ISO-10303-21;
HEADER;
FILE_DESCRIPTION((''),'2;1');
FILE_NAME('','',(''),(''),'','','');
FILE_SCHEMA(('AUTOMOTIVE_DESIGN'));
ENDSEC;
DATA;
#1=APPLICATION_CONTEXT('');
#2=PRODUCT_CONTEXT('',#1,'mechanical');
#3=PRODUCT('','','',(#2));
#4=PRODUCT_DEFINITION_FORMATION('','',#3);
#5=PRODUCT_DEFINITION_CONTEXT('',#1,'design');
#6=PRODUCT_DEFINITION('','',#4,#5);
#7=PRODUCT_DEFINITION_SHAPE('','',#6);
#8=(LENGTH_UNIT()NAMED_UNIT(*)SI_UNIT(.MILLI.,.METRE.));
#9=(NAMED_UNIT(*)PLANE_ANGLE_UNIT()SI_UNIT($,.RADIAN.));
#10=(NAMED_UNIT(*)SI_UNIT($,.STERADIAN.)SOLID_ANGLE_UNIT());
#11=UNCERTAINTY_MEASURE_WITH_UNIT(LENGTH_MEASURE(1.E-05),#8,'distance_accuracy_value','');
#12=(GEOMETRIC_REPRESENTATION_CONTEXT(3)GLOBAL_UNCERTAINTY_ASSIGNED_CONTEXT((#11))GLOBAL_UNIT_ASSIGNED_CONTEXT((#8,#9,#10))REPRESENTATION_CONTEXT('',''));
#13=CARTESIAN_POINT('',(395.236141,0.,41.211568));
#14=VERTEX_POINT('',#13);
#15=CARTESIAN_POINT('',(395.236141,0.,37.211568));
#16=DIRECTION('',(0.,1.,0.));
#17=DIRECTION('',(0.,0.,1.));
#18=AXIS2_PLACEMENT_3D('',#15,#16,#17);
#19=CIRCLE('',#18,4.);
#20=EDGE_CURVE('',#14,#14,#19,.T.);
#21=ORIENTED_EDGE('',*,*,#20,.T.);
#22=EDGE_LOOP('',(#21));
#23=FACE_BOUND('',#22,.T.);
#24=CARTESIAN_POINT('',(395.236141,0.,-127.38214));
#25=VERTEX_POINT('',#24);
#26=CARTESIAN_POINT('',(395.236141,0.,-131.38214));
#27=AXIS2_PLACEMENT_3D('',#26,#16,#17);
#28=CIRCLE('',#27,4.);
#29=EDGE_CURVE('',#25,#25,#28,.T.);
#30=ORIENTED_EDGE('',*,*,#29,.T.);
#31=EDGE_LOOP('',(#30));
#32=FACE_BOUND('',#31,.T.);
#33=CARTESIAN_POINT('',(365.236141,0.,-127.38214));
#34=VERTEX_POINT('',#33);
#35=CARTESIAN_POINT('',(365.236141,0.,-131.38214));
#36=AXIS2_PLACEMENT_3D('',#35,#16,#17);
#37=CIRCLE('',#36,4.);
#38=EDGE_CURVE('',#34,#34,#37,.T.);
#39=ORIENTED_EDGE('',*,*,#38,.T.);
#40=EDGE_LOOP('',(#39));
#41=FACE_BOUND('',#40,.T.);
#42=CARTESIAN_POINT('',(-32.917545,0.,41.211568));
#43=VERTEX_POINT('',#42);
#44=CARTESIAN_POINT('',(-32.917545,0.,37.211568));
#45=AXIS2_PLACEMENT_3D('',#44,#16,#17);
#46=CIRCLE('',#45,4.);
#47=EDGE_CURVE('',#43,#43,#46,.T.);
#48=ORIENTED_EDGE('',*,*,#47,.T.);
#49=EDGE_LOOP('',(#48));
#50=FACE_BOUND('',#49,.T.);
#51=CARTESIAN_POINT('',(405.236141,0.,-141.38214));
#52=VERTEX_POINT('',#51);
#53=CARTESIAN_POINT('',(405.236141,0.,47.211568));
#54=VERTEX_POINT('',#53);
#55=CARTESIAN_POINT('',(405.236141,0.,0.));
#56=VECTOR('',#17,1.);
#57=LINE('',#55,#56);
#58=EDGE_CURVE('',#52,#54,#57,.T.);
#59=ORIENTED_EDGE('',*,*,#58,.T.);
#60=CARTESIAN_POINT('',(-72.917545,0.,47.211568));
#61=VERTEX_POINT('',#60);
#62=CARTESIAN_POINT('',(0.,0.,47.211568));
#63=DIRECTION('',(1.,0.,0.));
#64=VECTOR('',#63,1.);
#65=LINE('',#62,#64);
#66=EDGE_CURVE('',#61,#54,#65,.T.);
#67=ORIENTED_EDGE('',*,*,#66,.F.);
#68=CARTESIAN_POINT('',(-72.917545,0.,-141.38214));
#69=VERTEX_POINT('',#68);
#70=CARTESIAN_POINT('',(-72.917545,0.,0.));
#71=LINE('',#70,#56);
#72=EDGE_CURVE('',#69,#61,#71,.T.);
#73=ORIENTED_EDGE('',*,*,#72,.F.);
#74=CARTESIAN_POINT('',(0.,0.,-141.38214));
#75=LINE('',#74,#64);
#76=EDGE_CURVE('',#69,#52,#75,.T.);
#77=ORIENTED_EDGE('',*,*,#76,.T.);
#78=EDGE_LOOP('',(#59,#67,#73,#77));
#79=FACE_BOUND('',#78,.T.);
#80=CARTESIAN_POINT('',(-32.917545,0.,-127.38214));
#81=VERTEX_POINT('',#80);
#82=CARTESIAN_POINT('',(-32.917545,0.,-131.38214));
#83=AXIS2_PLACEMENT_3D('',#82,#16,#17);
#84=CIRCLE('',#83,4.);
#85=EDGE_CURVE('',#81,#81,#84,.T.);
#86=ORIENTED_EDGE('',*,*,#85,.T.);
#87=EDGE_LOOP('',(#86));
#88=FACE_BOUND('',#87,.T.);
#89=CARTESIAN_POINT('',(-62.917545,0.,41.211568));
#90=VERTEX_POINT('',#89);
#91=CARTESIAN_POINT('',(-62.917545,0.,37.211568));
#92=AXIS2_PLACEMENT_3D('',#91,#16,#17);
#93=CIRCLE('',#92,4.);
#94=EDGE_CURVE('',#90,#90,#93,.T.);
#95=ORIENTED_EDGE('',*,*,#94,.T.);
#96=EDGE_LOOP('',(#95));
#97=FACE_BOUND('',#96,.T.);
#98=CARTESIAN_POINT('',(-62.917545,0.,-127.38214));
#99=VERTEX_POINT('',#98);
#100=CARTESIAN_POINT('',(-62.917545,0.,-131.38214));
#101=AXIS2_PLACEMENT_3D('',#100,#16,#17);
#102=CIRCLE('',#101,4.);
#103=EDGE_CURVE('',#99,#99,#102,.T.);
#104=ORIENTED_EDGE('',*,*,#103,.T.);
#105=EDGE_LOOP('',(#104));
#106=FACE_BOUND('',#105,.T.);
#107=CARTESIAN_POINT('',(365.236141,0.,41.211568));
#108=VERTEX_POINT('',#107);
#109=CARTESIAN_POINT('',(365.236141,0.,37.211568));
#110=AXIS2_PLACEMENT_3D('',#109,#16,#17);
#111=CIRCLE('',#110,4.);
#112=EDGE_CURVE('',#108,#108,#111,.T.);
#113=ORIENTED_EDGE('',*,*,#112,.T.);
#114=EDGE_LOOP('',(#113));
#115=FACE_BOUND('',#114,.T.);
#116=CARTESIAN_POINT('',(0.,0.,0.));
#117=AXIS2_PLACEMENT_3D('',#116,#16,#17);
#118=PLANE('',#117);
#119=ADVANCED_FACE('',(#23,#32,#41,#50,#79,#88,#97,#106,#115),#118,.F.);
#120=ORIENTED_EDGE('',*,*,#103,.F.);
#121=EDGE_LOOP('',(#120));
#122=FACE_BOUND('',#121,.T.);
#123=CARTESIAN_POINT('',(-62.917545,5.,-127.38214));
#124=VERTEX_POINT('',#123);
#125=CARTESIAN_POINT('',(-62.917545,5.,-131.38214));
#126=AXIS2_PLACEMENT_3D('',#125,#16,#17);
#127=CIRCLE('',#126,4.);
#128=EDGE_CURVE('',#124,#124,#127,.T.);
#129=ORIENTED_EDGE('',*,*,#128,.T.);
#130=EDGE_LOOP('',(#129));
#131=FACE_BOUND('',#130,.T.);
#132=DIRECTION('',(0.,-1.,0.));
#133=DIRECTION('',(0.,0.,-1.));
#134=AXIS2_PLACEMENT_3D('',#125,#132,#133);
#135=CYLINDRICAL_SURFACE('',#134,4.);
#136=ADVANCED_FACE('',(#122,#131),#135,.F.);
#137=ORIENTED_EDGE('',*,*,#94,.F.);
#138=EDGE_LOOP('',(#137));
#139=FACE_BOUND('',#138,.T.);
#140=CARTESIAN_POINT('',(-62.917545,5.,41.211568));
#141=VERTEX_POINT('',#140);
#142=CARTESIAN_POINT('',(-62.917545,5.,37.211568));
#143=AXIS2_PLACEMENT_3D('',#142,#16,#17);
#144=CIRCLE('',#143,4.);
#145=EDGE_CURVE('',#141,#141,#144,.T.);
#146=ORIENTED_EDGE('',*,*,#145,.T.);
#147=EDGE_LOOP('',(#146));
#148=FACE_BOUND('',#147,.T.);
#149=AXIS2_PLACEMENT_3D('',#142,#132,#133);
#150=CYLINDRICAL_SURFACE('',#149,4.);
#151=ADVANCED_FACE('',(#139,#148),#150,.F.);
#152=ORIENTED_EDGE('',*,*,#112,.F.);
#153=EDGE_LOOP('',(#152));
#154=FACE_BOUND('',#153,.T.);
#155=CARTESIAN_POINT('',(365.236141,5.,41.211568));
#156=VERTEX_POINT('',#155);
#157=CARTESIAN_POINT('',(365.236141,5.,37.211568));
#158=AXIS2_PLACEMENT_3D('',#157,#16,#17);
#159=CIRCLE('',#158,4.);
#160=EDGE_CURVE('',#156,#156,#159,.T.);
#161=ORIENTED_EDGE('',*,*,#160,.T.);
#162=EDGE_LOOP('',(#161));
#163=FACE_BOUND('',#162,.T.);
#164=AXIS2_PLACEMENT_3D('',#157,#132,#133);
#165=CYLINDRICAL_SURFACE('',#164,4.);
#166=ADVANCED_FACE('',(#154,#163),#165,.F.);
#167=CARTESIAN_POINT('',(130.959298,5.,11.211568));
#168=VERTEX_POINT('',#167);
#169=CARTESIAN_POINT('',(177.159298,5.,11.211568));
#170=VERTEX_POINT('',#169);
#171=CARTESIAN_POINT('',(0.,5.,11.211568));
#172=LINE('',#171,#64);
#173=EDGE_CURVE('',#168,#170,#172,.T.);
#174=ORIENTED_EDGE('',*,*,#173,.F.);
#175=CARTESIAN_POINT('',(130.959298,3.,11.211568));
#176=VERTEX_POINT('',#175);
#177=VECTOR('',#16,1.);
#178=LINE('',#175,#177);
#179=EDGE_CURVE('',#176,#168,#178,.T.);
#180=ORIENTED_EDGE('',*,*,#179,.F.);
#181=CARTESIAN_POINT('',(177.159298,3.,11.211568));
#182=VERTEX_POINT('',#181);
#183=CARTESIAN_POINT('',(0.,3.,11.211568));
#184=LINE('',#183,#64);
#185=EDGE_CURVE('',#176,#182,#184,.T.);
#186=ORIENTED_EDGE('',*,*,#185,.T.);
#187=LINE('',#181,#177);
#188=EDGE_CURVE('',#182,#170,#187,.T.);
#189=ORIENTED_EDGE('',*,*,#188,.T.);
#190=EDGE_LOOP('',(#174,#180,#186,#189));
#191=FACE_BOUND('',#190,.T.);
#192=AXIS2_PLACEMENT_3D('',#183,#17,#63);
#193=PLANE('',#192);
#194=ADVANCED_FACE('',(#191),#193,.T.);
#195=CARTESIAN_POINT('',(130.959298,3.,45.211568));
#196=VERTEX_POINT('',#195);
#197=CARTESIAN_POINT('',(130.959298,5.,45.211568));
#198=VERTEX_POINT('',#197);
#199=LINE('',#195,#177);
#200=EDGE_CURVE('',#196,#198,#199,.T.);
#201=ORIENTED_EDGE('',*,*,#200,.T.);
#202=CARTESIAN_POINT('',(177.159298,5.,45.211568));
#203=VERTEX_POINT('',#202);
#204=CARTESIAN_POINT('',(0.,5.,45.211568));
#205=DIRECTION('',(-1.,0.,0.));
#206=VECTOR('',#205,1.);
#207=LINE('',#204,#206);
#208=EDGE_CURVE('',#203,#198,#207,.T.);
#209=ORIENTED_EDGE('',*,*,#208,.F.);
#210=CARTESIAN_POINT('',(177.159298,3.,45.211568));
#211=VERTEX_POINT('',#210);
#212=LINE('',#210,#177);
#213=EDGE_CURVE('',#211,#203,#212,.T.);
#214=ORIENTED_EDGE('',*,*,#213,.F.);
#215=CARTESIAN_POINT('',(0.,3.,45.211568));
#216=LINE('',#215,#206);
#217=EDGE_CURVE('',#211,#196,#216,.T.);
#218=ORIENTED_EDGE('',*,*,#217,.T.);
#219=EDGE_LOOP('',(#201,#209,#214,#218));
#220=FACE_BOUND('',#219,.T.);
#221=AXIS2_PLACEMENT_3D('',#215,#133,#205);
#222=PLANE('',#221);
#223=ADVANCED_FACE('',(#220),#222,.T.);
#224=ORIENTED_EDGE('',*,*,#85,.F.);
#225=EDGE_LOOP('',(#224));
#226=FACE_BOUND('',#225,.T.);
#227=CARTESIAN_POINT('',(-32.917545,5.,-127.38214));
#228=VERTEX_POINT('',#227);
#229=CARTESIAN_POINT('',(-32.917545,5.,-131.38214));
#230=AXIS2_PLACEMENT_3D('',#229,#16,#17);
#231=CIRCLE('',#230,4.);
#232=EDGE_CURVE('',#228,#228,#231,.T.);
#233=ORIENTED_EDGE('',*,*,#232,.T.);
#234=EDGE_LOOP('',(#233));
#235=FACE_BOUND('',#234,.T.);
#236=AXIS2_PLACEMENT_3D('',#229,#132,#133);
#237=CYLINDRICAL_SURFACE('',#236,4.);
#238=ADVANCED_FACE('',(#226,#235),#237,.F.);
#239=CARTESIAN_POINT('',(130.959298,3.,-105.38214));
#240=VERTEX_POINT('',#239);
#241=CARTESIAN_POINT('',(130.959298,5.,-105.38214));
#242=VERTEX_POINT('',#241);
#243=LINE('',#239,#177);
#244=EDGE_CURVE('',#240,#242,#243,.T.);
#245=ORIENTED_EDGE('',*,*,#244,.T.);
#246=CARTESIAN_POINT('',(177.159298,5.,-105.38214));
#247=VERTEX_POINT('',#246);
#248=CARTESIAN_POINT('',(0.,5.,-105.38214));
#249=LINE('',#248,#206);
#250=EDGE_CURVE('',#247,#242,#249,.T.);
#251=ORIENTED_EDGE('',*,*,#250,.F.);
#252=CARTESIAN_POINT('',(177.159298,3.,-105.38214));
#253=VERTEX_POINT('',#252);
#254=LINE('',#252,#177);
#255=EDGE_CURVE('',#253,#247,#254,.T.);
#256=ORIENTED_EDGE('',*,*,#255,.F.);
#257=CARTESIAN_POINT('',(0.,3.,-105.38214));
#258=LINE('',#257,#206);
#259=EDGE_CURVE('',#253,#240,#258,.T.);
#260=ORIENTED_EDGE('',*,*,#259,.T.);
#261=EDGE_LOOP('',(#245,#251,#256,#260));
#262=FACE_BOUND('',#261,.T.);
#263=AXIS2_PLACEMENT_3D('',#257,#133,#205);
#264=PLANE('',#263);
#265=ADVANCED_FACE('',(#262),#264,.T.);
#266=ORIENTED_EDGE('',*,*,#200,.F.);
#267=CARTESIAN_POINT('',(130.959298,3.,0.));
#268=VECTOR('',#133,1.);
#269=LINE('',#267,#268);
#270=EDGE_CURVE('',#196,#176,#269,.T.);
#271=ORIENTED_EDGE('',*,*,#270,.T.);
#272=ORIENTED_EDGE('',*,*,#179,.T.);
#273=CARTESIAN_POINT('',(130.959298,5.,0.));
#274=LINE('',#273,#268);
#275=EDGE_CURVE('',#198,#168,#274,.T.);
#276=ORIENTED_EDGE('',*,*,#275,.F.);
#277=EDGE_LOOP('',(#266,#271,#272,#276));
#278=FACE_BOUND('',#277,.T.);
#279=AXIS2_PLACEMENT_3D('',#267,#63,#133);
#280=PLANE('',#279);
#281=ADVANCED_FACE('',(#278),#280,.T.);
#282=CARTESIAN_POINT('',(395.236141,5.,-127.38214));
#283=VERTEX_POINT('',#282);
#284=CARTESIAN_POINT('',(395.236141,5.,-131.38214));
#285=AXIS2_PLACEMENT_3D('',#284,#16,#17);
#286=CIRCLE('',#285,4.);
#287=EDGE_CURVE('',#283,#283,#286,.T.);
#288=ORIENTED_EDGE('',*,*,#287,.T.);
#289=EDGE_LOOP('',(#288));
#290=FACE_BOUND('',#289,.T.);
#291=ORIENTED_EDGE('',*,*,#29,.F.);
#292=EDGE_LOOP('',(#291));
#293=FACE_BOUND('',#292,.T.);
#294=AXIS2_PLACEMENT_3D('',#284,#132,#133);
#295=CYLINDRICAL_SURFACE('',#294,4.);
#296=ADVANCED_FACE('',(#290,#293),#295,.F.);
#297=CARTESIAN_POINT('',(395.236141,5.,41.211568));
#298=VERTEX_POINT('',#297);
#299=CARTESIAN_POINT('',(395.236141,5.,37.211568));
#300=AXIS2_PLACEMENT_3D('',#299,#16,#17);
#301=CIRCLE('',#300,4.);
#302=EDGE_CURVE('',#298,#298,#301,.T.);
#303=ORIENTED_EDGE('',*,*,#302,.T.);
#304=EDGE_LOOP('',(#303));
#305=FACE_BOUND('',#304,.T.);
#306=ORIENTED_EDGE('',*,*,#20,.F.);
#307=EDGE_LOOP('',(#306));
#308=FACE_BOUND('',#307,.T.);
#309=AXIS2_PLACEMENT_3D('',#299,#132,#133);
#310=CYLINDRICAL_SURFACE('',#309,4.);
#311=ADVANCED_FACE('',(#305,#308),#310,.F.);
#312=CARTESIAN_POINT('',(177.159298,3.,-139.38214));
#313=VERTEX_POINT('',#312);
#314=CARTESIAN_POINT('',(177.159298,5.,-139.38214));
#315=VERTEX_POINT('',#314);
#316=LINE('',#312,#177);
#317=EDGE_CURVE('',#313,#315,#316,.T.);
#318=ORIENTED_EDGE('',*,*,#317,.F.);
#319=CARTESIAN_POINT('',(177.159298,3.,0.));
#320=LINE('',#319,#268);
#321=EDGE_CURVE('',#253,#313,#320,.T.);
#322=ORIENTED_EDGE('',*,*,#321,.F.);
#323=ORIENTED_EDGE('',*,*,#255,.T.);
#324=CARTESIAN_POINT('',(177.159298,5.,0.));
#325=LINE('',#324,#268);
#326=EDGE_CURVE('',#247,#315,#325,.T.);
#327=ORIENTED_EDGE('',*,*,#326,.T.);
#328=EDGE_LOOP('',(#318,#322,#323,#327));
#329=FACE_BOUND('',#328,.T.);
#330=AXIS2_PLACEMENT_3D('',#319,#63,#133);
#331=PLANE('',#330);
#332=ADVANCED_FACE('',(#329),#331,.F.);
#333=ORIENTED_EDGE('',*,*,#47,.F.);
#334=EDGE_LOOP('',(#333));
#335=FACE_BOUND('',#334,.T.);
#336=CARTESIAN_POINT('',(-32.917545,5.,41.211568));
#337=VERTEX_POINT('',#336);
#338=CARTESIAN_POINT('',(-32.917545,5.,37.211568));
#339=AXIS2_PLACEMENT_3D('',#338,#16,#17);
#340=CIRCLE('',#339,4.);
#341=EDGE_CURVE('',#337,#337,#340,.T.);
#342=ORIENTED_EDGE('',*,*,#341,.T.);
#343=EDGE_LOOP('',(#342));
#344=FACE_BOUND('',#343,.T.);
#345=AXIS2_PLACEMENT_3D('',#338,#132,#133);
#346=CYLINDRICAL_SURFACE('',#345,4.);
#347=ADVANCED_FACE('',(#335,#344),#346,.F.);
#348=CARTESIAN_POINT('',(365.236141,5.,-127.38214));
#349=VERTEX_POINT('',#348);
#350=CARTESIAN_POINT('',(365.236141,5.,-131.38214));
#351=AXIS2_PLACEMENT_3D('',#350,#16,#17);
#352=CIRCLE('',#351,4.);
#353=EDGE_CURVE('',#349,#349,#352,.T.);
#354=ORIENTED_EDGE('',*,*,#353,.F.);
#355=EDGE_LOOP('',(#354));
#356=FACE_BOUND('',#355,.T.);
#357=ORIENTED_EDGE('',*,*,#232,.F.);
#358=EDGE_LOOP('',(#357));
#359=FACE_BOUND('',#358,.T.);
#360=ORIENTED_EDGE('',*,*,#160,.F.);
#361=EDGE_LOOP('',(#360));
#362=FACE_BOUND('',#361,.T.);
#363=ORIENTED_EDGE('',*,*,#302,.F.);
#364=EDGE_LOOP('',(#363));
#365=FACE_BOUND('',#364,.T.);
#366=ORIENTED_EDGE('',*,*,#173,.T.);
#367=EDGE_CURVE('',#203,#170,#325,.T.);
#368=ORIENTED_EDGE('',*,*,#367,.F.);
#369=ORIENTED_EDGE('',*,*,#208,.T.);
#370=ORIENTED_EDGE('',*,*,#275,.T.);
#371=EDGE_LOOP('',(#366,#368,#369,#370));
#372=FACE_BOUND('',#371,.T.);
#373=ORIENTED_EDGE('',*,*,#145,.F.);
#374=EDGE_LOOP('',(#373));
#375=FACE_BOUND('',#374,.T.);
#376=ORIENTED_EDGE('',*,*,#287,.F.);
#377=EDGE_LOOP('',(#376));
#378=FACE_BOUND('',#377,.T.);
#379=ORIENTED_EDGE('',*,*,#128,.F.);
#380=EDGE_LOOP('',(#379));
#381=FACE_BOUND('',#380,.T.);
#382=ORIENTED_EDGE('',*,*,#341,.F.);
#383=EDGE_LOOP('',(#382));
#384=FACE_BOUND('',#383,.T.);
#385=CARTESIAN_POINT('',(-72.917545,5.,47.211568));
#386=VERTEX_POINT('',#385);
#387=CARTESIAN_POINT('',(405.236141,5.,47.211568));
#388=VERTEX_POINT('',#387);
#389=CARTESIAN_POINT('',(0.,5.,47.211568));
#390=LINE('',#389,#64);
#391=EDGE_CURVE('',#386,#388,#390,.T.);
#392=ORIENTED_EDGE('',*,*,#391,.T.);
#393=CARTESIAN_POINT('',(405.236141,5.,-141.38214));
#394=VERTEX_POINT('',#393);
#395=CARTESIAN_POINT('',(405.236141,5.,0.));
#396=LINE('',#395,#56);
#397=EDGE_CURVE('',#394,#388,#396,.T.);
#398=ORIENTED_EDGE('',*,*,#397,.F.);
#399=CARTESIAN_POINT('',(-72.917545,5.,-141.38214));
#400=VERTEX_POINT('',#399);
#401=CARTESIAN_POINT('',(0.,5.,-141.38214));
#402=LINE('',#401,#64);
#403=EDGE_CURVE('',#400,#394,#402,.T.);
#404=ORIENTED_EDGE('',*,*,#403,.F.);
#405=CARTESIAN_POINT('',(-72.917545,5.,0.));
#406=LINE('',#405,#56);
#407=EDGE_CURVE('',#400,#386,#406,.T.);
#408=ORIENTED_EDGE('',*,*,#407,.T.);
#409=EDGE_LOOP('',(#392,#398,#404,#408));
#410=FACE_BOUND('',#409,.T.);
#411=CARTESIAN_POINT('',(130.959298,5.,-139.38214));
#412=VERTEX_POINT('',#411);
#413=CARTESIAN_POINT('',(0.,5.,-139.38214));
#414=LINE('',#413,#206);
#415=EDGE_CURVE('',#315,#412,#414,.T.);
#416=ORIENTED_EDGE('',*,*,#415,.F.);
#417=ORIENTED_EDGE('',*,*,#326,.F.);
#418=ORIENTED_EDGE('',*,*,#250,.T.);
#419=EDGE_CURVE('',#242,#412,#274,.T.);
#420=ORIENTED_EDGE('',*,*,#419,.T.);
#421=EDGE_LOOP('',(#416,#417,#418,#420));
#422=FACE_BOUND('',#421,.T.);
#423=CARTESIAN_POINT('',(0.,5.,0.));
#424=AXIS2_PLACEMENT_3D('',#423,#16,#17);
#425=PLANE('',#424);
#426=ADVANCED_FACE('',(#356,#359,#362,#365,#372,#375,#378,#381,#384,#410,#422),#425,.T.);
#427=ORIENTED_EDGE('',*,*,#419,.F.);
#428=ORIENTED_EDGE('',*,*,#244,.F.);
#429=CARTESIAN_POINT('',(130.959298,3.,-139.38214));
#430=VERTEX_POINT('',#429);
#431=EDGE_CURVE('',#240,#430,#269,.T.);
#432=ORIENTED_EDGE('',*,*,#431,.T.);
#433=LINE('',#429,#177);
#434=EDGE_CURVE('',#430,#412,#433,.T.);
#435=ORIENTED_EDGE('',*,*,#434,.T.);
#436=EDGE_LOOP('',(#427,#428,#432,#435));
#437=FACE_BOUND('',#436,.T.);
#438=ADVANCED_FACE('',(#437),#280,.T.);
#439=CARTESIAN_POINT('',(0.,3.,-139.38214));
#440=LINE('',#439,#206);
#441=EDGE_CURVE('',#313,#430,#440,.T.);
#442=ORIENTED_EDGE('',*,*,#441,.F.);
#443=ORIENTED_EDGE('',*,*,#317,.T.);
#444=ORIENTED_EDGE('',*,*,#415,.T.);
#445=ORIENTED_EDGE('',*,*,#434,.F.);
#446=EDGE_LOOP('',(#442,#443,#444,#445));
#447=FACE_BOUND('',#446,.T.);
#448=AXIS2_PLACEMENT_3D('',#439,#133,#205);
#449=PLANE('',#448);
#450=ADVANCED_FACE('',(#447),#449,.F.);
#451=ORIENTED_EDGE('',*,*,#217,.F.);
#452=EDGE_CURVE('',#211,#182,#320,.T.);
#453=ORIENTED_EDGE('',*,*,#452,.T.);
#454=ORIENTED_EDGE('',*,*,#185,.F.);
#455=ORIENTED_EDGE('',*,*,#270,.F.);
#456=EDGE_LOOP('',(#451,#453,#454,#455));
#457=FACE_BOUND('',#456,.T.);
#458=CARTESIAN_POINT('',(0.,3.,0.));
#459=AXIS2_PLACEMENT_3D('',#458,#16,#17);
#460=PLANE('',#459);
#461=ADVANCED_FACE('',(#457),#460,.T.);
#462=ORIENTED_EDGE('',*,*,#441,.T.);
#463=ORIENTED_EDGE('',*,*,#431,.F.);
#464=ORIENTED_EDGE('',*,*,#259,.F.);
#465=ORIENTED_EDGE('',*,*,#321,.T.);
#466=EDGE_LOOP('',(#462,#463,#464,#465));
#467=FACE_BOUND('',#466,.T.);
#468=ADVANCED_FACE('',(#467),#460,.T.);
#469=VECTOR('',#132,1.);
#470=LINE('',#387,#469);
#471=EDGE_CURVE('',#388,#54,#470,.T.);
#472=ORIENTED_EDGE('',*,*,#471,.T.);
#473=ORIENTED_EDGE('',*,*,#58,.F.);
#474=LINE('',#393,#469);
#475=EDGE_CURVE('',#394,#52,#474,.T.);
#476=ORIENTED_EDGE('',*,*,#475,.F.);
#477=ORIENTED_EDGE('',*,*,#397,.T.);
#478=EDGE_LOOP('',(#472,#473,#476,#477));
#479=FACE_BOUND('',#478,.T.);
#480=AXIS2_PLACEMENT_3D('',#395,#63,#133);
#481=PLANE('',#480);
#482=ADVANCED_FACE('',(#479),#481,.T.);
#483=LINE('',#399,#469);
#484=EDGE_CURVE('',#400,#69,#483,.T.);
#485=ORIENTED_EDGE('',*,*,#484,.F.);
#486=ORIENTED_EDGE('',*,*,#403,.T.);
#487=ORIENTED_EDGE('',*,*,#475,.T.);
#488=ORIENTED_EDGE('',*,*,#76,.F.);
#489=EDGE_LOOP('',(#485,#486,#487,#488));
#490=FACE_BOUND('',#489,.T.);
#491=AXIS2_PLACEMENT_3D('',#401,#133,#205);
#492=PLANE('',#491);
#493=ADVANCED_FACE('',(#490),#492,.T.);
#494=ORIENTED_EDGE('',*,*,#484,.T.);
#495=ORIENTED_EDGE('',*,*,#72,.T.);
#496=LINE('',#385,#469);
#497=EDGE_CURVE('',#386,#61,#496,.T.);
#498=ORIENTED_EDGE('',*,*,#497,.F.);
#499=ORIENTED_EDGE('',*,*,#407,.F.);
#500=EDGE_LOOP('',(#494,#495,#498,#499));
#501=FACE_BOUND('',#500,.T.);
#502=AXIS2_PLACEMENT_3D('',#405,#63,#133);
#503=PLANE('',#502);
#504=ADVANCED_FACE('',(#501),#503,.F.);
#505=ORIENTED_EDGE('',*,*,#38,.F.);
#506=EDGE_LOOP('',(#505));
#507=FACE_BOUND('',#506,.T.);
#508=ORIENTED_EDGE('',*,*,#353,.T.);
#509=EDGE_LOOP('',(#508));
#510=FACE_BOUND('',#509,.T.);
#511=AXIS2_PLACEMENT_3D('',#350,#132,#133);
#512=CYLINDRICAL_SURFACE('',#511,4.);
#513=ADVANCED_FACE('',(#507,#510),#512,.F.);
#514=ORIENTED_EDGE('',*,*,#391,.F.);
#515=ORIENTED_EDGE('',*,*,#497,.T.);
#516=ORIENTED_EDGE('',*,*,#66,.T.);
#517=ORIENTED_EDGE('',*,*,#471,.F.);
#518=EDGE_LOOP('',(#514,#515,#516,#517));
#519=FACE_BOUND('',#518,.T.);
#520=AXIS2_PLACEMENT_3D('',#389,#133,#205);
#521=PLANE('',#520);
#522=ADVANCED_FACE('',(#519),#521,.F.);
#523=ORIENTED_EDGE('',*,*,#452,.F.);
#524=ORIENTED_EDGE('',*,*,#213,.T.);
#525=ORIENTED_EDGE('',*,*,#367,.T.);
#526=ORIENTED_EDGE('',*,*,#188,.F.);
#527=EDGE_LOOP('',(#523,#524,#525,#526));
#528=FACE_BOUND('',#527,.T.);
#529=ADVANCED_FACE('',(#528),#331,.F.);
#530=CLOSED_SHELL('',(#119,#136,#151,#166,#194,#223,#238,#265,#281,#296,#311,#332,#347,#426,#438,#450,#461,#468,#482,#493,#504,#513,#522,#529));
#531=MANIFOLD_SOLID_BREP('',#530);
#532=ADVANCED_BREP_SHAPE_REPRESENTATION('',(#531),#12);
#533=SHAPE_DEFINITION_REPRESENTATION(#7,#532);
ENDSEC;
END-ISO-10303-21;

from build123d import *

# Parameters (mm, degrees)
ESQUISSE1_W             = 478.153686012
ESQUISSE1_H             = 188.593708553
ESQUISSE1_R             = 4
BOSS_EXTRU_4_DEPTH      = 5
ESQUISSE2_W             = 35.2
ESQUISSE2_H             = 34
ESQUISSE2_W_2           = 11
ENL_V_MAT_EXTRU_1_DEPTH = 2


with BuildPart() as part:
    # Esquisse1 → Boss.-Extru.4 (new body)
    with BuildSketch(Plane(origin=(0, 0, 0), x_dir=(1, 0, 0), z_dir=(0, 1, 0))):
        with Locations((166.159297522, 47.085285911)):
            Rectangle(ESQUISSE1_W, ESQUISSE1_H)
        with Locations(Location((395.236140528, -37.211568366, 0), (0, 0, 270))):
            Circle(ESQUISSE1_R, mode=Mode.SUBTRACT)
        with Locations(Location((-62.917545484, -37.211568366, 0), (0, 0, 270))):
            Circle(ESQUISSE1_R, mode=Mode.SUBTRACT)
        with Locations(Location((-32.917545484, -37.211568366, 0), (0, 0, 270))):
            Circle(ESQUISSE1_R, mode=Mode.SUBTRACT)
        with Locations(Location((365.236140528, -37.211568366, 0), (0, 0, 270))):
            Circle(ESQUISSE1_R, mode=Mode.SUBTRACT)
        with Locations(Location((-62.917545484, 131.382140187, 0), (0, 0, 270))):
            Circle(ESQUISSE1_R, mode=Mode.SUBTRACT)
        with Locations(Location((-32.917545484, 131.382140187, 0), (0, 0, 270))):
            Circle(ESQUISSE1_R, mode=Mode.SUBTRACT)
        with Locations(Location((365.236140528, 131.382140187, 0), (0, 0, 270))):
            Circle(ESQUISSE1_R, mode=Mode.SUBTRACT)
        with Locations(Location((395.236140528, 131.382140187, 0), (0, 0, 270))):
            Circle(ESQUISSE1_R, mode=Mode.SUBTRACT)
    extrude(amount=BOSS_EXTRU_4_DEPTH)

    # Esquisse2 → Enlèv. mat.-Extru.1 (cut)
    with BuildSketch(Plane(origin=(0, 5, 0), x_dir=(1, 0, 0), z_dir=(0, 1, 0))):
        with Locations((148.559297522, 122.382140187)):
            Rectangle(ESQUISSE2_W, ESQUISSE2_H)
        with Locations((171.659297522, 122.382140187)):
            Rectangle(ESQUISSE2_W_2, ESQUISSE2_H)
        with Locations((148.559297522, -28.211568366)):
            Rectangle(ESQUISSE2_W, ESQUISSE2_H)
        with Locations((171.659297522, -28.211568366)):
            Rectangle(ESQUISSE2_W_2, ESQUISSE2_H)
    extrude(amount=-ENL_V_MAT_EXTRU_1_DEPTH, mode=Mode.SUBTRACT)


solid = part.part
